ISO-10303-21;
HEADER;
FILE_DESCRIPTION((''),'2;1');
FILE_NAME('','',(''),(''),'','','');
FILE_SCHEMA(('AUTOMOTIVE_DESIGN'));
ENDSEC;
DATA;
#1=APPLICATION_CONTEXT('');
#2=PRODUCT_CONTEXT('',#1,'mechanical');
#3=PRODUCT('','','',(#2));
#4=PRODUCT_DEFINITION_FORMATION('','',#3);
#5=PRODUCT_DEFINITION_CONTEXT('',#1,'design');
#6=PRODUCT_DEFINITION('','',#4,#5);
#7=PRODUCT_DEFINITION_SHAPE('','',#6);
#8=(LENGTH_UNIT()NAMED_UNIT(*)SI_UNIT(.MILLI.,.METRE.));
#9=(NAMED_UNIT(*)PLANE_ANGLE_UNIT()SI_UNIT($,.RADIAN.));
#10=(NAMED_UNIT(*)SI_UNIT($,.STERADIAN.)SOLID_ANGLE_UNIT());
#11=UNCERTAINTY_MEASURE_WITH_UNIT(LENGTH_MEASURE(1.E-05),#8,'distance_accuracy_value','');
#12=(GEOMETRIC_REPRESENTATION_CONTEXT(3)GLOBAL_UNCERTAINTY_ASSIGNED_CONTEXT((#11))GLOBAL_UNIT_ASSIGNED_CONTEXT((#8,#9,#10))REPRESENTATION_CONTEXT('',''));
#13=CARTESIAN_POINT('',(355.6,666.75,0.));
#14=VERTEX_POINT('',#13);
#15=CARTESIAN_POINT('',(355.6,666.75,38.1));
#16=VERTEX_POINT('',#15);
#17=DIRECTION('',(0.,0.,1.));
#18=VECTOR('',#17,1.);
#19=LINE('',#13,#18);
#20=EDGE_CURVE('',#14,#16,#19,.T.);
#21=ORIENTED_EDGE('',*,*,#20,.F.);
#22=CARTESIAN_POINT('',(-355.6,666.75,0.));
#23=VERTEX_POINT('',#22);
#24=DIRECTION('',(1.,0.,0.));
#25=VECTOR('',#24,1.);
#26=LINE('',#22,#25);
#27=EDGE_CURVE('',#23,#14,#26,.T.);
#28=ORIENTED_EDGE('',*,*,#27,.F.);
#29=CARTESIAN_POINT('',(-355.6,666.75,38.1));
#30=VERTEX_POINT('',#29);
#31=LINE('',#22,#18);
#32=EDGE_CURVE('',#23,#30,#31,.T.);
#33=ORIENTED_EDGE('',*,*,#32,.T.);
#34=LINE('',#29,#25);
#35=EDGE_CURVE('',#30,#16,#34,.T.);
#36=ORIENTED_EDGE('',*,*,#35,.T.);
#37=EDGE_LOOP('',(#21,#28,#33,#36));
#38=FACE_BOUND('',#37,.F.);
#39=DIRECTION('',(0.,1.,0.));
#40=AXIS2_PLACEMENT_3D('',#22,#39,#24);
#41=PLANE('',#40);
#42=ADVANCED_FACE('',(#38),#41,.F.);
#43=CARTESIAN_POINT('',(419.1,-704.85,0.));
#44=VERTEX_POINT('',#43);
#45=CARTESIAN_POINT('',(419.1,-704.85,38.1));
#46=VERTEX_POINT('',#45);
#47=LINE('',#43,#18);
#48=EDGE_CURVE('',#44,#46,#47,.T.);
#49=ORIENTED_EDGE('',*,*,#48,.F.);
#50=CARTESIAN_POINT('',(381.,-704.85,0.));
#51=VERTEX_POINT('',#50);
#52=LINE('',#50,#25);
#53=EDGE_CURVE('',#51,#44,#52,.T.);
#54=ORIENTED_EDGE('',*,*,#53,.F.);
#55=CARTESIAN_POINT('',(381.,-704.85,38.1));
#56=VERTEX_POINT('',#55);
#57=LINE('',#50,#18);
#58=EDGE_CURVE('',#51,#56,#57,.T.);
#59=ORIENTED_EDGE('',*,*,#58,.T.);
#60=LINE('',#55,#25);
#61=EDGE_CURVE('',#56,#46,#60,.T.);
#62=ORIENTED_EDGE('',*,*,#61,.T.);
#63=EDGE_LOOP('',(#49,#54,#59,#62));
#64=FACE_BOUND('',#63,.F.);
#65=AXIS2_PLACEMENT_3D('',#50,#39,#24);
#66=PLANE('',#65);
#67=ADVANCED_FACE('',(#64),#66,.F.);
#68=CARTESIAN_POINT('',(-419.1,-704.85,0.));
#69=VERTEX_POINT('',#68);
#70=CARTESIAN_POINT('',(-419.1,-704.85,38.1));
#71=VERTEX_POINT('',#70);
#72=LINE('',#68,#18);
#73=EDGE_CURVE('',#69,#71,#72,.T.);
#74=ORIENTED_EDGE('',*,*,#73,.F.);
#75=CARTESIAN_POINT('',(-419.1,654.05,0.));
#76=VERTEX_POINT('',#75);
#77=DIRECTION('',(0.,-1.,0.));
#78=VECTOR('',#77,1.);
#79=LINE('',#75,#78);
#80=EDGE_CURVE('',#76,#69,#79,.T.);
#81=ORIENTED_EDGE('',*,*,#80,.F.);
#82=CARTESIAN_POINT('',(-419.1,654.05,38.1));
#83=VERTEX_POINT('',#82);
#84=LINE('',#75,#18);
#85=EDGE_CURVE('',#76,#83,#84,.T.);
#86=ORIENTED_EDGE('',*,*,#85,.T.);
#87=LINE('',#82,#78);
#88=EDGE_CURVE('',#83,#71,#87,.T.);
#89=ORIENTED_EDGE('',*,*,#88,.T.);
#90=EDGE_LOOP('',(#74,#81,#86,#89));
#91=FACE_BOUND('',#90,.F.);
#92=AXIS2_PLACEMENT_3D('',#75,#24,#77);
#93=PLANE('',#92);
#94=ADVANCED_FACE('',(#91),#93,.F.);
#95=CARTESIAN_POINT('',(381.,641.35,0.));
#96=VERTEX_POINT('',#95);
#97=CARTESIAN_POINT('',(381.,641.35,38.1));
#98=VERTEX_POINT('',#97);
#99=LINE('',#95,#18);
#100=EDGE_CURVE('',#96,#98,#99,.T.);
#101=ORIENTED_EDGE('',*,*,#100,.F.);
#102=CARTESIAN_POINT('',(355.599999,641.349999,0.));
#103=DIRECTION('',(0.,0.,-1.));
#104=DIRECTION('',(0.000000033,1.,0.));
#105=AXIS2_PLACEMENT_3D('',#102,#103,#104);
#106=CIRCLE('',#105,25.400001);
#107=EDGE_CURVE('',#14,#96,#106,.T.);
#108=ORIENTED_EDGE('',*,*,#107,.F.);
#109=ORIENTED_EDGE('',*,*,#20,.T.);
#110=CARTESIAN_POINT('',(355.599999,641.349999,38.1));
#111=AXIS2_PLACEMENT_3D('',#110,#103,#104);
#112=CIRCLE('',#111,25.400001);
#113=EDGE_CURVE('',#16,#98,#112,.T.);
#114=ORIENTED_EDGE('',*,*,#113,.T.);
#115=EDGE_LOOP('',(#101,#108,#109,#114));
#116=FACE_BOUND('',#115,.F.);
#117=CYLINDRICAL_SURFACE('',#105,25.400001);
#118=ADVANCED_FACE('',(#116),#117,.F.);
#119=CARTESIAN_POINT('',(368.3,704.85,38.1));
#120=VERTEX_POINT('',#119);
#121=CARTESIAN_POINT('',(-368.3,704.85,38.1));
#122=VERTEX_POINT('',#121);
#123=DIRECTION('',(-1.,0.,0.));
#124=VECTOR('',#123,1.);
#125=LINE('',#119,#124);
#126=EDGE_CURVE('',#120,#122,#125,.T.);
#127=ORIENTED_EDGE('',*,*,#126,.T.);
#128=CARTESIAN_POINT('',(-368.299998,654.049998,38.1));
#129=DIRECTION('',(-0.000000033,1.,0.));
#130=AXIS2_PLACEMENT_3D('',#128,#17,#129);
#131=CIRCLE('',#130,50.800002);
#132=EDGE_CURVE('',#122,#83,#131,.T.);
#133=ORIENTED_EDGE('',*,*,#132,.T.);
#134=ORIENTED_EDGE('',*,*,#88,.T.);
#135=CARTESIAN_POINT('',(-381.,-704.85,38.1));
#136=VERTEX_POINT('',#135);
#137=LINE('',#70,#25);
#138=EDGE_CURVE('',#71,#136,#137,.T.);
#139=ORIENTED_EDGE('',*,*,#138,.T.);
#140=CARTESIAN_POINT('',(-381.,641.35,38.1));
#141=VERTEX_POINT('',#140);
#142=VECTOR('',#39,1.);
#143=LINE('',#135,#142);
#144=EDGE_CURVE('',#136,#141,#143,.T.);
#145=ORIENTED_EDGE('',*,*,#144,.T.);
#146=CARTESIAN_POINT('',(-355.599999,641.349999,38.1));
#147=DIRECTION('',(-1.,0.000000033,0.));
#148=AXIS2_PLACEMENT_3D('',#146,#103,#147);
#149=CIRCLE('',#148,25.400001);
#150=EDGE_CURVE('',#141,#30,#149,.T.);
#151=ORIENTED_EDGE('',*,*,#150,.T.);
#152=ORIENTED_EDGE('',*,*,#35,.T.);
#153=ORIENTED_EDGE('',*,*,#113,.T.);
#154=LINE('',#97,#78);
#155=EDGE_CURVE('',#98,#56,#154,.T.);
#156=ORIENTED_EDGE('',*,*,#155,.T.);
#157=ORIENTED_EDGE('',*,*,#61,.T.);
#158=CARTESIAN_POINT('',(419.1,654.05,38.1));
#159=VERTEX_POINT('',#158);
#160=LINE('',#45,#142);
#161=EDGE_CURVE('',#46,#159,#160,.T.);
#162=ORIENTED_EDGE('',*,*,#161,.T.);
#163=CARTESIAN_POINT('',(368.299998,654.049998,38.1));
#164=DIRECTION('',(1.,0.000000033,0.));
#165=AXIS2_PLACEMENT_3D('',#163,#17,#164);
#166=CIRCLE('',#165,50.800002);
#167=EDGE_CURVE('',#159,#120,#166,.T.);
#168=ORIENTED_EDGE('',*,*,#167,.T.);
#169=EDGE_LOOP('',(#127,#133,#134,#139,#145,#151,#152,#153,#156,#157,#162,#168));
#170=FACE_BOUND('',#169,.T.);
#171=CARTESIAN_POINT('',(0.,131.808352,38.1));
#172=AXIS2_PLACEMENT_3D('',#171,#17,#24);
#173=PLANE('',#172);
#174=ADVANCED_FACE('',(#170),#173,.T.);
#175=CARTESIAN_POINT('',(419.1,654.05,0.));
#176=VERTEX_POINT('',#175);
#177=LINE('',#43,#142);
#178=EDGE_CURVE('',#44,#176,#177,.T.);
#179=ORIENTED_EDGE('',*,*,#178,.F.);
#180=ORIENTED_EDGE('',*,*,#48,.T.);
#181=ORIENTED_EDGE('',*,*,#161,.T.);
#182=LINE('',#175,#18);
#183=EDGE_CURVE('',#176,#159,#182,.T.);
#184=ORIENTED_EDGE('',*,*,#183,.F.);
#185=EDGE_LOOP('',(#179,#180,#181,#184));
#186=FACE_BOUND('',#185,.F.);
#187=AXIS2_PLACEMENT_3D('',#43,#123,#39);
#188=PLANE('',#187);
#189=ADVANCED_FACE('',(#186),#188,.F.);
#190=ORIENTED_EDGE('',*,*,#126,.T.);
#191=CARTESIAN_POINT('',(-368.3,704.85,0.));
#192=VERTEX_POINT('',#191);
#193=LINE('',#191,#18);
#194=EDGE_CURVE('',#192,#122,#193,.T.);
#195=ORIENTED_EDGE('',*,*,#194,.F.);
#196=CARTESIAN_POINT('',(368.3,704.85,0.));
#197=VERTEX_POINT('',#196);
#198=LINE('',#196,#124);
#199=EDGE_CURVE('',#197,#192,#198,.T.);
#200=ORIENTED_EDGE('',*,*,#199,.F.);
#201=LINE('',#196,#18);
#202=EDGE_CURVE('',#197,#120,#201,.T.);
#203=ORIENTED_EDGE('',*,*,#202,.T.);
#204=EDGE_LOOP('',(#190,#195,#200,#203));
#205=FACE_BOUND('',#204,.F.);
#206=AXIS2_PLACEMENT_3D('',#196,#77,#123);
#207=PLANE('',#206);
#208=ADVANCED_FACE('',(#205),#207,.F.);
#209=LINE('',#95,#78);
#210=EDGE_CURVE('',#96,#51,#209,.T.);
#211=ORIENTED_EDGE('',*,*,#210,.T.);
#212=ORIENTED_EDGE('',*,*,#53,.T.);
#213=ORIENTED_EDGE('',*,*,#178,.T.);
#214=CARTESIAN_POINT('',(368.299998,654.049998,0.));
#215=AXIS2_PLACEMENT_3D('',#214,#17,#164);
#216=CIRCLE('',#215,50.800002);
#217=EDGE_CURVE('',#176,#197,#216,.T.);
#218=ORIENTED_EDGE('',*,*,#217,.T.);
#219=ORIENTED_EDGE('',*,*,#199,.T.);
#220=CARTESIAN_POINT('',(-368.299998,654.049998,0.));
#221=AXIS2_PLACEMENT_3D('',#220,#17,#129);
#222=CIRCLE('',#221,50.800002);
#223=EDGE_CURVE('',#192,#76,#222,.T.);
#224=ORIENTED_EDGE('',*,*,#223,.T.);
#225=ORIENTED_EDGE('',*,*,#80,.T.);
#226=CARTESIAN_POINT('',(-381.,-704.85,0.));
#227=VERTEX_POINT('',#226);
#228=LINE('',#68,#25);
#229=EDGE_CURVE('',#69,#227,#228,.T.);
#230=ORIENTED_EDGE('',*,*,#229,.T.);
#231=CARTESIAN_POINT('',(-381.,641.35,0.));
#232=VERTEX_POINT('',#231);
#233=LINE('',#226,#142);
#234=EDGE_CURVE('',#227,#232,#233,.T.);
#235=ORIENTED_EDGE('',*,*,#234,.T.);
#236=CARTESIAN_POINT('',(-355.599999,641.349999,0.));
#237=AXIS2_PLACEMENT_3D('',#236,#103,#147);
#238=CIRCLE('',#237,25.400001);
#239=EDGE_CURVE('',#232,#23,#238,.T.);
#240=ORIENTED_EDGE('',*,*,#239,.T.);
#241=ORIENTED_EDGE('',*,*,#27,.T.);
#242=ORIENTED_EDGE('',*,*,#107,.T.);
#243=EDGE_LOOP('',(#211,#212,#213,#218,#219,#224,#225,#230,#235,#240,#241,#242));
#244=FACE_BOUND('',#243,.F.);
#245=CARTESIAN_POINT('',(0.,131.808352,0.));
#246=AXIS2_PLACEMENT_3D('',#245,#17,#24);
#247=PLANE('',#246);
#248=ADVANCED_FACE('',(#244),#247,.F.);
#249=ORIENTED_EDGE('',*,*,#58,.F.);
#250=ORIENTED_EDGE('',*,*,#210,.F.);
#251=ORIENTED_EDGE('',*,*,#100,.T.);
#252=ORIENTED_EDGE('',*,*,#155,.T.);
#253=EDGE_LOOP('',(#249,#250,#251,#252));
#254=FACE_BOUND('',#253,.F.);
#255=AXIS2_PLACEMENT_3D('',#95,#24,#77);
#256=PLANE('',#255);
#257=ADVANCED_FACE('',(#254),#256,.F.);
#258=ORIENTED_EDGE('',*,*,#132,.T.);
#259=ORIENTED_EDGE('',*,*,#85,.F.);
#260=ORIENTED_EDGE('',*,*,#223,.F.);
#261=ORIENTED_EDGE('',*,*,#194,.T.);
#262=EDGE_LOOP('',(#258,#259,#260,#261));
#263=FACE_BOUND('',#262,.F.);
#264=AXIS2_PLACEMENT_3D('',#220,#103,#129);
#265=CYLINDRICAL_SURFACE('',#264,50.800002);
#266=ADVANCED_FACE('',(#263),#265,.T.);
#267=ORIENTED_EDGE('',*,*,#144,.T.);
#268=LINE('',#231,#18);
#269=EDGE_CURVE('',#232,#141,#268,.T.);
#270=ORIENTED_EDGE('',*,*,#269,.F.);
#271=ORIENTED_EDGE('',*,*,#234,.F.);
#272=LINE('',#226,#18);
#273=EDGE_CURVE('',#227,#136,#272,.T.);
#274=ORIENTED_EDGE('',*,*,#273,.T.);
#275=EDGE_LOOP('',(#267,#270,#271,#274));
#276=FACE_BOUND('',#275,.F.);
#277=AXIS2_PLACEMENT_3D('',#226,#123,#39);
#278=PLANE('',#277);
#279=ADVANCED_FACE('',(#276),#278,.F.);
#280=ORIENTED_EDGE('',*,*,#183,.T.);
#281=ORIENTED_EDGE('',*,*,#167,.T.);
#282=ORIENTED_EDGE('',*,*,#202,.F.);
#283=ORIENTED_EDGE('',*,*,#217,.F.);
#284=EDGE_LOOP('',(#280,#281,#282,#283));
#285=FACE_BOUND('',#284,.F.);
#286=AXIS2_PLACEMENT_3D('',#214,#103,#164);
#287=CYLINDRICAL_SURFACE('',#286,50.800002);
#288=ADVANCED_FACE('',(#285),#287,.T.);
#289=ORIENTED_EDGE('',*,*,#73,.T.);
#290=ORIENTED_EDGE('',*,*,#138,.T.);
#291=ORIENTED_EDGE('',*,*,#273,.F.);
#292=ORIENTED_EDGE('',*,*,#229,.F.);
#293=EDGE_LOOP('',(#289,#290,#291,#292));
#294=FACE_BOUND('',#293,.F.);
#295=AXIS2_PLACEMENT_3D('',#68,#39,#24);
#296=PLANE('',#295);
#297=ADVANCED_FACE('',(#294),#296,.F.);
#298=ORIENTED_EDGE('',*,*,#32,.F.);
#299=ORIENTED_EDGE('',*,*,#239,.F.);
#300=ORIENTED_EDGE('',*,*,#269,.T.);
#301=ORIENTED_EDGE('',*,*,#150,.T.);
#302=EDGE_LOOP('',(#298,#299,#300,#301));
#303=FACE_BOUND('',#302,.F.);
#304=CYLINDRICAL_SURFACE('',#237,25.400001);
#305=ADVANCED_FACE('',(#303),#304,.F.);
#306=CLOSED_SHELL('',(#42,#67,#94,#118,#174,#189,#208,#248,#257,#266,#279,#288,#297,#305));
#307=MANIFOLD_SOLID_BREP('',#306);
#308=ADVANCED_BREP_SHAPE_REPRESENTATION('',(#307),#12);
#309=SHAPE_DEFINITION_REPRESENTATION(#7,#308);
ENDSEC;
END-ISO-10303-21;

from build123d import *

# Parameters (mm, degrees)
F1_DEPTH = 38.1


with BuildPart() as f1:
    # F0 (on Top) → F1 (new body)
    with BuildSketch(Plane.XY):
        with BuildLine():
            Line((368.3, 704.85), (-368.3, 704.85))
            ThreePointArc((-368.3, 704.85), (-404.221024, 689.971024), (-419.1, 654.05))
            Line((-419.1, 654.05), (-419.1, -704.85))
            Line((-419.1, -704.85), (-381, -704.85))
            Line((-381, -704.85), (-381, 641.35))
            ThreePointArc((-381, 641.35), (-373.560512, 659.310512), (-355.6, 666.75))
            Line((-355.6, 666.75), (355.6, 666.75))
            ThreePointArc((355.6, 666.75), (373.560512, 659.310512), (381, 641.35))
            Line((381, 641.35), (381, -704.85))
            Line((381, -704.85), (419.1, -704.85))
            Line((419.1, -704.85), (419.1, 654.05))
            ThreePointArc((419.1, 654.05), (404.221024, 689.971024), (368.3, 704.85))
        make_face()
    extrude(amount=F1_DEPTH)


solid = f1.part
